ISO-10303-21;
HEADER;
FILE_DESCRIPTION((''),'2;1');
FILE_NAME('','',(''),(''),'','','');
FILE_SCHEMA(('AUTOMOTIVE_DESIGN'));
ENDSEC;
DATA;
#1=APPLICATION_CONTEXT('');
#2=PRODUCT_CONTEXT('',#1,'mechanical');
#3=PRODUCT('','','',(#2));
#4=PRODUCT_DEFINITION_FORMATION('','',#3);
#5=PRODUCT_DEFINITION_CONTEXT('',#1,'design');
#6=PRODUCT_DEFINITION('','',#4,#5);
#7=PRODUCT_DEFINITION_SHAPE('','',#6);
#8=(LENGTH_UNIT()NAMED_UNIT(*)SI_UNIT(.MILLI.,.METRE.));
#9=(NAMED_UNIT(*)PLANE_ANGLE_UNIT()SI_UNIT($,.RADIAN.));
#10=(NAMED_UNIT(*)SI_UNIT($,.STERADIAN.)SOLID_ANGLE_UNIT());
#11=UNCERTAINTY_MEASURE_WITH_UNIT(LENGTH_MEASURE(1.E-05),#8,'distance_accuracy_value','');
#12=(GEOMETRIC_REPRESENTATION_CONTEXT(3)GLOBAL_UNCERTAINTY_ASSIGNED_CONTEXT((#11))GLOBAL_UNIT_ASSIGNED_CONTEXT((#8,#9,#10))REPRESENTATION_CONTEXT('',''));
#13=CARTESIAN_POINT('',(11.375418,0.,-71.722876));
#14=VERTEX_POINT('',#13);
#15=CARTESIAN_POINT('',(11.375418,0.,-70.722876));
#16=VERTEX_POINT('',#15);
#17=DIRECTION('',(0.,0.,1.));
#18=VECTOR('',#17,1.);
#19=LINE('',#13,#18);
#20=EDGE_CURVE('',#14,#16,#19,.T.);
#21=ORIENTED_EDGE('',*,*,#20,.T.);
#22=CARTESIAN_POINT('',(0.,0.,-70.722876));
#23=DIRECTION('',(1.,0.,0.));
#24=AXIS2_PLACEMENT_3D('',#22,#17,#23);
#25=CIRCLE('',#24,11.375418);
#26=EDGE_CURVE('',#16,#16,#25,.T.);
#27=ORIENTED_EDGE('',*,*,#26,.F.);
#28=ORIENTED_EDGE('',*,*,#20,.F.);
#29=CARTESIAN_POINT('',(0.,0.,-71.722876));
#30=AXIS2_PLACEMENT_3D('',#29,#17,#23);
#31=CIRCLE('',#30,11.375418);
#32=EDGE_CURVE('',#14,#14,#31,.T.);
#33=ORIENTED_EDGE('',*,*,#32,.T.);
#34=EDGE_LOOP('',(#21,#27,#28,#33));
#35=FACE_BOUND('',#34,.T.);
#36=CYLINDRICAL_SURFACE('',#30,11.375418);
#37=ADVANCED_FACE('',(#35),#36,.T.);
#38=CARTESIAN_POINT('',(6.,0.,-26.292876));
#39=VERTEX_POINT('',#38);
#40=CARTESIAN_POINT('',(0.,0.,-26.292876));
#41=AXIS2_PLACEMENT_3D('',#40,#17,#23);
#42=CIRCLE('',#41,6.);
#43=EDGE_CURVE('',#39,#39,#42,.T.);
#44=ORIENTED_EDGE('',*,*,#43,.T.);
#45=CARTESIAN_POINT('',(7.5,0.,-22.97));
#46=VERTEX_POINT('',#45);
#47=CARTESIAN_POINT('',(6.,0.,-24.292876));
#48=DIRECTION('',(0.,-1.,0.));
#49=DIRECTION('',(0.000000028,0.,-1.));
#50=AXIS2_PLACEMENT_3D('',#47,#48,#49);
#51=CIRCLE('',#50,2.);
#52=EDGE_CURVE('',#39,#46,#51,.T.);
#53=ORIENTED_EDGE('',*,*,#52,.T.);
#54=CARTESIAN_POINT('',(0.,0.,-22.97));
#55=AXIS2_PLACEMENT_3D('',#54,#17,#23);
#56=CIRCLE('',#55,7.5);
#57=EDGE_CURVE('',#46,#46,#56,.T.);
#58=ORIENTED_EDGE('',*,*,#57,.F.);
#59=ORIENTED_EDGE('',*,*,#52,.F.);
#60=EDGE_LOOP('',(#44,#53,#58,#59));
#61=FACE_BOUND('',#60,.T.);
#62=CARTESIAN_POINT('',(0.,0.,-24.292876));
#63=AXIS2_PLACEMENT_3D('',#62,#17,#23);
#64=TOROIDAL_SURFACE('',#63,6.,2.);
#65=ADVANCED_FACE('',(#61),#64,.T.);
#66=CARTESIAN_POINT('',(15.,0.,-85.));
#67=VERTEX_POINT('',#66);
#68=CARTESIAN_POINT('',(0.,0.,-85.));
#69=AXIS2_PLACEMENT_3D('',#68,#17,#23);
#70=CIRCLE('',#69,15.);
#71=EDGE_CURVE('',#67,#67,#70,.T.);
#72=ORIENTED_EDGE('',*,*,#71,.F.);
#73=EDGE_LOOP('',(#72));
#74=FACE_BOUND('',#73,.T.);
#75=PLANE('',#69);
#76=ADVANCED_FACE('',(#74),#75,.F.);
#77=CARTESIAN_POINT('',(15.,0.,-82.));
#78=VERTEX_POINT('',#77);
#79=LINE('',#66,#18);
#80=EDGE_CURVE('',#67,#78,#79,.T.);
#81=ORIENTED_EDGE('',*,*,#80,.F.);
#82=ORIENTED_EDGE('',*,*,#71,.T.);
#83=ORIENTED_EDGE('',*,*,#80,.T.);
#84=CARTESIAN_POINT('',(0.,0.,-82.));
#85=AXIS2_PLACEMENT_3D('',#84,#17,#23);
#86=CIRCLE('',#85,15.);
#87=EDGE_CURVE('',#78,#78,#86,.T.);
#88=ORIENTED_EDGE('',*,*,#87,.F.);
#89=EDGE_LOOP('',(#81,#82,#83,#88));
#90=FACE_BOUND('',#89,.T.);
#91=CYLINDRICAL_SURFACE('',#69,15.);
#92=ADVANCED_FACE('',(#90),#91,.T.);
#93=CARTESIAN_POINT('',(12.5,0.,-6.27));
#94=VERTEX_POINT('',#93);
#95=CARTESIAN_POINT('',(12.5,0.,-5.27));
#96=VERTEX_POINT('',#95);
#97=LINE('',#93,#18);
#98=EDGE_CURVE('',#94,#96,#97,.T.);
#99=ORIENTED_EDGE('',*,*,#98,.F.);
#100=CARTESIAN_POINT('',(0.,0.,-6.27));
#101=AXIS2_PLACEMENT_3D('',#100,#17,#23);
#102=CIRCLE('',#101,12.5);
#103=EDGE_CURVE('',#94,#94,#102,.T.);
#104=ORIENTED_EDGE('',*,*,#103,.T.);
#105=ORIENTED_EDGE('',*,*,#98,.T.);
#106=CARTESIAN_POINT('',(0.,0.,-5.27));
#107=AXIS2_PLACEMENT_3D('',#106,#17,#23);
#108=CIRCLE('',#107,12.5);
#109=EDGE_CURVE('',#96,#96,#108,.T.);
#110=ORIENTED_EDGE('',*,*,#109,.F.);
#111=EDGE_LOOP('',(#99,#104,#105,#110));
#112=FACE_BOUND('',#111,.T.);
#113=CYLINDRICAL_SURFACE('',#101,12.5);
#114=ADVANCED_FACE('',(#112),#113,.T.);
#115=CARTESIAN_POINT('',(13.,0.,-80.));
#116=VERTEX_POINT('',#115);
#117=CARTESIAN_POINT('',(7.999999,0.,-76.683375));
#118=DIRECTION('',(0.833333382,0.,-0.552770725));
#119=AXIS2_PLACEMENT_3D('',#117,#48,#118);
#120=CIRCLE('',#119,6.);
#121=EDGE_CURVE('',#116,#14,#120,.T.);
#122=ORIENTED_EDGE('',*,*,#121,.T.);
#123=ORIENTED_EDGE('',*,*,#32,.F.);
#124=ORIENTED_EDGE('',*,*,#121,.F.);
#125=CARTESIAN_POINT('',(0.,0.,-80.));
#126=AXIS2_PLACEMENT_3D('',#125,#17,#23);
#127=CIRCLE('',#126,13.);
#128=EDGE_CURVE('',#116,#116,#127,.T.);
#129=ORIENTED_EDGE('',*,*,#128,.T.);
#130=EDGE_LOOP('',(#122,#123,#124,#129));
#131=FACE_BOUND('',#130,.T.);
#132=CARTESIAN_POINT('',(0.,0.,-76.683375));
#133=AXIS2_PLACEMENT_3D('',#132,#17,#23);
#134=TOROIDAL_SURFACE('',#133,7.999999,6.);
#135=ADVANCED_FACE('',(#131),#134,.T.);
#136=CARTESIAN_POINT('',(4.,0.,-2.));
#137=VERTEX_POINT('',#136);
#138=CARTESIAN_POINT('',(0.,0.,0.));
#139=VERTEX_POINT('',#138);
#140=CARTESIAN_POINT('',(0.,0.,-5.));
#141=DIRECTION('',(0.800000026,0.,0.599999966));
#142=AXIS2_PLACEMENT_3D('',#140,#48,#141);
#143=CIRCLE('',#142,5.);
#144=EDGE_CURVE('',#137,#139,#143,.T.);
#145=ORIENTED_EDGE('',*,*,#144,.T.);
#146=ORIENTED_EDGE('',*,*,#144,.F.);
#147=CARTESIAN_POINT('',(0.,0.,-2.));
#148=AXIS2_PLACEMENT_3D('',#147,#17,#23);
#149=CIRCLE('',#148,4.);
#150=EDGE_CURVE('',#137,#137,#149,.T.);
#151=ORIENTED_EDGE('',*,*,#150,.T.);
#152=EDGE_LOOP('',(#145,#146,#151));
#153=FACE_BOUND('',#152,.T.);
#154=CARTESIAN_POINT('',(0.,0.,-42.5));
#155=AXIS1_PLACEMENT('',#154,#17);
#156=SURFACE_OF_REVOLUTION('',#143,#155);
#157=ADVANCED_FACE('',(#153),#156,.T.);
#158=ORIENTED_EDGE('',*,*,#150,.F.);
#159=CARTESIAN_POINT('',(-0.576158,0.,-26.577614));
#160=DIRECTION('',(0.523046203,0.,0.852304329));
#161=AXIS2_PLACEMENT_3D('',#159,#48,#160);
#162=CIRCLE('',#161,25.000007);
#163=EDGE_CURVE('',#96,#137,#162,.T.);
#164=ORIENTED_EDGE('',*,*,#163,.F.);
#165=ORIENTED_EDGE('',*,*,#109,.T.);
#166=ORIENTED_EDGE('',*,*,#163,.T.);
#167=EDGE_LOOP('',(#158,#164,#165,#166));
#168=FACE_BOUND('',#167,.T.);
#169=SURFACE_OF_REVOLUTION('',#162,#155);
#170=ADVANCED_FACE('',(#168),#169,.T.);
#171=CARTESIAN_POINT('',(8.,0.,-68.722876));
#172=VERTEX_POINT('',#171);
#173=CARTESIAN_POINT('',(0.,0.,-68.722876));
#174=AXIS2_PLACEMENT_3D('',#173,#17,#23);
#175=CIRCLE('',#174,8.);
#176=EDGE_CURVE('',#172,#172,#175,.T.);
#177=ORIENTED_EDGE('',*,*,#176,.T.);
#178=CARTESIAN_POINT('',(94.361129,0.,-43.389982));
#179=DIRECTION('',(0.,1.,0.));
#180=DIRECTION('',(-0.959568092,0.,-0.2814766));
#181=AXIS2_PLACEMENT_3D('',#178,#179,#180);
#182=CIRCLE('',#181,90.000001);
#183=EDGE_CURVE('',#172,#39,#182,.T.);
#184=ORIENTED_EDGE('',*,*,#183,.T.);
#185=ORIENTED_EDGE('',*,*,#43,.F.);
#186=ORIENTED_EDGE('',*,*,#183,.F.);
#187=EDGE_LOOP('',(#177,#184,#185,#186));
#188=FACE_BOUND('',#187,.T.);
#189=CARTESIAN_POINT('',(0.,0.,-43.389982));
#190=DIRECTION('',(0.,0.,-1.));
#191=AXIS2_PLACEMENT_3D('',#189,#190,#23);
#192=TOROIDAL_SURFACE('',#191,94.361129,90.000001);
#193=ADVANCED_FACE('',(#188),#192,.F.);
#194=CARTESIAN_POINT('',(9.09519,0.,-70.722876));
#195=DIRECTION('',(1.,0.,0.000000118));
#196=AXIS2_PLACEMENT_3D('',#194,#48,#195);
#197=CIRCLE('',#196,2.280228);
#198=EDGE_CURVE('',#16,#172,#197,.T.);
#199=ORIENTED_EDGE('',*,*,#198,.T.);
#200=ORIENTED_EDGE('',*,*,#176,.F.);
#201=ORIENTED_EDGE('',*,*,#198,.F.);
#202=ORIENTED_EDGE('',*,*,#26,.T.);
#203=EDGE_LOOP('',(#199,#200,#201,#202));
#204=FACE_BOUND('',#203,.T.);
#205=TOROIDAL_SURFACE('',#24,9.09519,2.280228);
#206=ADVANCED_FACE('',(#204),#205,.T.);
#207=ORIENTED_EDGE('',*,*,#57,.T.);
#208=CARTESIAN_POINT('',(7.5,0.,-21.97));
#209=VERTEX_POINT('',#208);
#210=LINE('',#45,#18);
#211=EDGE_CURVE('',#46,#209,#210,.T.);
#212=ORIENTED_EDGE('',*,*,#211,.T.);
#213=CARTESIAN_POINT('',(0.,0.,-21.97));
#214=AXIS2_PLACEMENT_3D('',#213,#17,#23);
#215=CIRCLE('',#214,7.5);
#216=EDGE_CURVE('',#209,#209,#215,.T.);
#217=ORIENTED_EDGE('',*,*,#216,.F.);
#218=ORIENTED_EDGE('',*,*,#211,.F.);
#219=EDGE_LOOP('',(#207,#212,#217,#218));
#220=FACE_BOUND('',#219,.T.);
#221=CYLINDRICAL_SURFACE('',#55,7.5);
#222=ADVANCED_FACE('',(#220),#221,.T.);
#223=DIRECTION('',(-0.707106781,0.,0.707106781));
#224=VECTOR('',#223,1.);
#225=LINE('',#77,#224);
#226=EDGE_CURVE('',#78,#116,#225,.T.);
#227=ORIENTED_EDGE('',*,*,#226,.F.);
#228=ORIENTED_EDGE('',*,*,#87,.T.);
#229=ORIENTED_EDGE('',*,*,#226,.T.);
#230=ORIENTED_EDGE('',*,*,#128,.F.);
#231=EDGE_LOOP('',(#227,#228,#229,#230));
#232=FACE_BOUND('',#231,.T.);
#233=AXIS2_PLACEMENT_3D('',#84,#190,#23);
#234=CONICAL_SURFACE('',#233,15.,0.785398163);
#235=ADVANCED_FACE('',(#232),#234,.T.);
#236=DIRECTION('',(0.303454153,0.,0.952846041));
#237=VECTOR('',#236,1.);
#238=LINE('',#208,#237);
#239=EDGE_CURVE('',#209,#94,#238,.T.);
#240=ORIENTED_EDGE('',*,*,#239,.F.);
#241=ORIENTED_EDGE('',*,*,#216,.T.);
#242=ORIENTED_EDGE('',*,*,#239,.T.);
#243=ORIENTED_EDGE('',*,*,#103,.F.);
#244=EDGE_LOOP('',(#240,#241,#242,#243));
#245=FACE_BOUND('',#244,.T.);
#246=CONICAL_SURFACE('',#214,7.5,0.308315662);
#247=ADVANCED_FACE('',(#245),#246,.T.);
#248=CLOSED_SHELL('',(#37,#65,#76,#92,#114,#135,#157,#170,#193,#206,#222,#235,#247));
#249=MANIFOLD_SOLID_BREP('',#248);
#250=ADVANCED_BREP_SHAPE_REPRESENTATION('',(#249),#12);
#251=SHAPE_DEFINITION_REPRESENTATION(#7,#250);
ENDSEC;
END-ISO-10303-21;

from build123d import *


with BuildPart() as f1:
    # F0 (on Front) → F1 (revolve)
    with BuildSketch(Plane.XZ):
        with BuildLine():
            Line((12.5, -6.27), (12.5, -5.27))
            ThreePointArc((12.5, -5.27), (8.40016, -3.244675), (4, -2))
            ThreePointArc((4, -2), (2.236068, -0.527864), (0, 0))
            Line((0, 0), (0, -85))
            Line((0, -85), (15, -85))
            Line((15, -85), (15, -82))
            Line((15, -82), (13, -80))
            ThreePointArc((13, -80), (13.887665, -75.527781), (11.375418, -71.722876))
            Line((11.375418, -71.722876), (11.375418, -70.722876))
            ThreePointArc((11.375418, -70.722876), (10.257549, -68.761152), (8, -68.722876))
            ThreePointArc((8, -68.722876), (4.460945, -47.627558), (6, -26.292876))
            ThreePointArc((6, -26.292876), (7.822876, -25.115751), (7.5, -22.97))
            Line((7.5, -22.97), (7.5, -21.97))
            Line((7.5, -21.97), (12.5, -6.27))
        make_face()
    revolve(axis=Axis((0, 0, -42.5), (0, 0, 1)))


solid = f1.part
